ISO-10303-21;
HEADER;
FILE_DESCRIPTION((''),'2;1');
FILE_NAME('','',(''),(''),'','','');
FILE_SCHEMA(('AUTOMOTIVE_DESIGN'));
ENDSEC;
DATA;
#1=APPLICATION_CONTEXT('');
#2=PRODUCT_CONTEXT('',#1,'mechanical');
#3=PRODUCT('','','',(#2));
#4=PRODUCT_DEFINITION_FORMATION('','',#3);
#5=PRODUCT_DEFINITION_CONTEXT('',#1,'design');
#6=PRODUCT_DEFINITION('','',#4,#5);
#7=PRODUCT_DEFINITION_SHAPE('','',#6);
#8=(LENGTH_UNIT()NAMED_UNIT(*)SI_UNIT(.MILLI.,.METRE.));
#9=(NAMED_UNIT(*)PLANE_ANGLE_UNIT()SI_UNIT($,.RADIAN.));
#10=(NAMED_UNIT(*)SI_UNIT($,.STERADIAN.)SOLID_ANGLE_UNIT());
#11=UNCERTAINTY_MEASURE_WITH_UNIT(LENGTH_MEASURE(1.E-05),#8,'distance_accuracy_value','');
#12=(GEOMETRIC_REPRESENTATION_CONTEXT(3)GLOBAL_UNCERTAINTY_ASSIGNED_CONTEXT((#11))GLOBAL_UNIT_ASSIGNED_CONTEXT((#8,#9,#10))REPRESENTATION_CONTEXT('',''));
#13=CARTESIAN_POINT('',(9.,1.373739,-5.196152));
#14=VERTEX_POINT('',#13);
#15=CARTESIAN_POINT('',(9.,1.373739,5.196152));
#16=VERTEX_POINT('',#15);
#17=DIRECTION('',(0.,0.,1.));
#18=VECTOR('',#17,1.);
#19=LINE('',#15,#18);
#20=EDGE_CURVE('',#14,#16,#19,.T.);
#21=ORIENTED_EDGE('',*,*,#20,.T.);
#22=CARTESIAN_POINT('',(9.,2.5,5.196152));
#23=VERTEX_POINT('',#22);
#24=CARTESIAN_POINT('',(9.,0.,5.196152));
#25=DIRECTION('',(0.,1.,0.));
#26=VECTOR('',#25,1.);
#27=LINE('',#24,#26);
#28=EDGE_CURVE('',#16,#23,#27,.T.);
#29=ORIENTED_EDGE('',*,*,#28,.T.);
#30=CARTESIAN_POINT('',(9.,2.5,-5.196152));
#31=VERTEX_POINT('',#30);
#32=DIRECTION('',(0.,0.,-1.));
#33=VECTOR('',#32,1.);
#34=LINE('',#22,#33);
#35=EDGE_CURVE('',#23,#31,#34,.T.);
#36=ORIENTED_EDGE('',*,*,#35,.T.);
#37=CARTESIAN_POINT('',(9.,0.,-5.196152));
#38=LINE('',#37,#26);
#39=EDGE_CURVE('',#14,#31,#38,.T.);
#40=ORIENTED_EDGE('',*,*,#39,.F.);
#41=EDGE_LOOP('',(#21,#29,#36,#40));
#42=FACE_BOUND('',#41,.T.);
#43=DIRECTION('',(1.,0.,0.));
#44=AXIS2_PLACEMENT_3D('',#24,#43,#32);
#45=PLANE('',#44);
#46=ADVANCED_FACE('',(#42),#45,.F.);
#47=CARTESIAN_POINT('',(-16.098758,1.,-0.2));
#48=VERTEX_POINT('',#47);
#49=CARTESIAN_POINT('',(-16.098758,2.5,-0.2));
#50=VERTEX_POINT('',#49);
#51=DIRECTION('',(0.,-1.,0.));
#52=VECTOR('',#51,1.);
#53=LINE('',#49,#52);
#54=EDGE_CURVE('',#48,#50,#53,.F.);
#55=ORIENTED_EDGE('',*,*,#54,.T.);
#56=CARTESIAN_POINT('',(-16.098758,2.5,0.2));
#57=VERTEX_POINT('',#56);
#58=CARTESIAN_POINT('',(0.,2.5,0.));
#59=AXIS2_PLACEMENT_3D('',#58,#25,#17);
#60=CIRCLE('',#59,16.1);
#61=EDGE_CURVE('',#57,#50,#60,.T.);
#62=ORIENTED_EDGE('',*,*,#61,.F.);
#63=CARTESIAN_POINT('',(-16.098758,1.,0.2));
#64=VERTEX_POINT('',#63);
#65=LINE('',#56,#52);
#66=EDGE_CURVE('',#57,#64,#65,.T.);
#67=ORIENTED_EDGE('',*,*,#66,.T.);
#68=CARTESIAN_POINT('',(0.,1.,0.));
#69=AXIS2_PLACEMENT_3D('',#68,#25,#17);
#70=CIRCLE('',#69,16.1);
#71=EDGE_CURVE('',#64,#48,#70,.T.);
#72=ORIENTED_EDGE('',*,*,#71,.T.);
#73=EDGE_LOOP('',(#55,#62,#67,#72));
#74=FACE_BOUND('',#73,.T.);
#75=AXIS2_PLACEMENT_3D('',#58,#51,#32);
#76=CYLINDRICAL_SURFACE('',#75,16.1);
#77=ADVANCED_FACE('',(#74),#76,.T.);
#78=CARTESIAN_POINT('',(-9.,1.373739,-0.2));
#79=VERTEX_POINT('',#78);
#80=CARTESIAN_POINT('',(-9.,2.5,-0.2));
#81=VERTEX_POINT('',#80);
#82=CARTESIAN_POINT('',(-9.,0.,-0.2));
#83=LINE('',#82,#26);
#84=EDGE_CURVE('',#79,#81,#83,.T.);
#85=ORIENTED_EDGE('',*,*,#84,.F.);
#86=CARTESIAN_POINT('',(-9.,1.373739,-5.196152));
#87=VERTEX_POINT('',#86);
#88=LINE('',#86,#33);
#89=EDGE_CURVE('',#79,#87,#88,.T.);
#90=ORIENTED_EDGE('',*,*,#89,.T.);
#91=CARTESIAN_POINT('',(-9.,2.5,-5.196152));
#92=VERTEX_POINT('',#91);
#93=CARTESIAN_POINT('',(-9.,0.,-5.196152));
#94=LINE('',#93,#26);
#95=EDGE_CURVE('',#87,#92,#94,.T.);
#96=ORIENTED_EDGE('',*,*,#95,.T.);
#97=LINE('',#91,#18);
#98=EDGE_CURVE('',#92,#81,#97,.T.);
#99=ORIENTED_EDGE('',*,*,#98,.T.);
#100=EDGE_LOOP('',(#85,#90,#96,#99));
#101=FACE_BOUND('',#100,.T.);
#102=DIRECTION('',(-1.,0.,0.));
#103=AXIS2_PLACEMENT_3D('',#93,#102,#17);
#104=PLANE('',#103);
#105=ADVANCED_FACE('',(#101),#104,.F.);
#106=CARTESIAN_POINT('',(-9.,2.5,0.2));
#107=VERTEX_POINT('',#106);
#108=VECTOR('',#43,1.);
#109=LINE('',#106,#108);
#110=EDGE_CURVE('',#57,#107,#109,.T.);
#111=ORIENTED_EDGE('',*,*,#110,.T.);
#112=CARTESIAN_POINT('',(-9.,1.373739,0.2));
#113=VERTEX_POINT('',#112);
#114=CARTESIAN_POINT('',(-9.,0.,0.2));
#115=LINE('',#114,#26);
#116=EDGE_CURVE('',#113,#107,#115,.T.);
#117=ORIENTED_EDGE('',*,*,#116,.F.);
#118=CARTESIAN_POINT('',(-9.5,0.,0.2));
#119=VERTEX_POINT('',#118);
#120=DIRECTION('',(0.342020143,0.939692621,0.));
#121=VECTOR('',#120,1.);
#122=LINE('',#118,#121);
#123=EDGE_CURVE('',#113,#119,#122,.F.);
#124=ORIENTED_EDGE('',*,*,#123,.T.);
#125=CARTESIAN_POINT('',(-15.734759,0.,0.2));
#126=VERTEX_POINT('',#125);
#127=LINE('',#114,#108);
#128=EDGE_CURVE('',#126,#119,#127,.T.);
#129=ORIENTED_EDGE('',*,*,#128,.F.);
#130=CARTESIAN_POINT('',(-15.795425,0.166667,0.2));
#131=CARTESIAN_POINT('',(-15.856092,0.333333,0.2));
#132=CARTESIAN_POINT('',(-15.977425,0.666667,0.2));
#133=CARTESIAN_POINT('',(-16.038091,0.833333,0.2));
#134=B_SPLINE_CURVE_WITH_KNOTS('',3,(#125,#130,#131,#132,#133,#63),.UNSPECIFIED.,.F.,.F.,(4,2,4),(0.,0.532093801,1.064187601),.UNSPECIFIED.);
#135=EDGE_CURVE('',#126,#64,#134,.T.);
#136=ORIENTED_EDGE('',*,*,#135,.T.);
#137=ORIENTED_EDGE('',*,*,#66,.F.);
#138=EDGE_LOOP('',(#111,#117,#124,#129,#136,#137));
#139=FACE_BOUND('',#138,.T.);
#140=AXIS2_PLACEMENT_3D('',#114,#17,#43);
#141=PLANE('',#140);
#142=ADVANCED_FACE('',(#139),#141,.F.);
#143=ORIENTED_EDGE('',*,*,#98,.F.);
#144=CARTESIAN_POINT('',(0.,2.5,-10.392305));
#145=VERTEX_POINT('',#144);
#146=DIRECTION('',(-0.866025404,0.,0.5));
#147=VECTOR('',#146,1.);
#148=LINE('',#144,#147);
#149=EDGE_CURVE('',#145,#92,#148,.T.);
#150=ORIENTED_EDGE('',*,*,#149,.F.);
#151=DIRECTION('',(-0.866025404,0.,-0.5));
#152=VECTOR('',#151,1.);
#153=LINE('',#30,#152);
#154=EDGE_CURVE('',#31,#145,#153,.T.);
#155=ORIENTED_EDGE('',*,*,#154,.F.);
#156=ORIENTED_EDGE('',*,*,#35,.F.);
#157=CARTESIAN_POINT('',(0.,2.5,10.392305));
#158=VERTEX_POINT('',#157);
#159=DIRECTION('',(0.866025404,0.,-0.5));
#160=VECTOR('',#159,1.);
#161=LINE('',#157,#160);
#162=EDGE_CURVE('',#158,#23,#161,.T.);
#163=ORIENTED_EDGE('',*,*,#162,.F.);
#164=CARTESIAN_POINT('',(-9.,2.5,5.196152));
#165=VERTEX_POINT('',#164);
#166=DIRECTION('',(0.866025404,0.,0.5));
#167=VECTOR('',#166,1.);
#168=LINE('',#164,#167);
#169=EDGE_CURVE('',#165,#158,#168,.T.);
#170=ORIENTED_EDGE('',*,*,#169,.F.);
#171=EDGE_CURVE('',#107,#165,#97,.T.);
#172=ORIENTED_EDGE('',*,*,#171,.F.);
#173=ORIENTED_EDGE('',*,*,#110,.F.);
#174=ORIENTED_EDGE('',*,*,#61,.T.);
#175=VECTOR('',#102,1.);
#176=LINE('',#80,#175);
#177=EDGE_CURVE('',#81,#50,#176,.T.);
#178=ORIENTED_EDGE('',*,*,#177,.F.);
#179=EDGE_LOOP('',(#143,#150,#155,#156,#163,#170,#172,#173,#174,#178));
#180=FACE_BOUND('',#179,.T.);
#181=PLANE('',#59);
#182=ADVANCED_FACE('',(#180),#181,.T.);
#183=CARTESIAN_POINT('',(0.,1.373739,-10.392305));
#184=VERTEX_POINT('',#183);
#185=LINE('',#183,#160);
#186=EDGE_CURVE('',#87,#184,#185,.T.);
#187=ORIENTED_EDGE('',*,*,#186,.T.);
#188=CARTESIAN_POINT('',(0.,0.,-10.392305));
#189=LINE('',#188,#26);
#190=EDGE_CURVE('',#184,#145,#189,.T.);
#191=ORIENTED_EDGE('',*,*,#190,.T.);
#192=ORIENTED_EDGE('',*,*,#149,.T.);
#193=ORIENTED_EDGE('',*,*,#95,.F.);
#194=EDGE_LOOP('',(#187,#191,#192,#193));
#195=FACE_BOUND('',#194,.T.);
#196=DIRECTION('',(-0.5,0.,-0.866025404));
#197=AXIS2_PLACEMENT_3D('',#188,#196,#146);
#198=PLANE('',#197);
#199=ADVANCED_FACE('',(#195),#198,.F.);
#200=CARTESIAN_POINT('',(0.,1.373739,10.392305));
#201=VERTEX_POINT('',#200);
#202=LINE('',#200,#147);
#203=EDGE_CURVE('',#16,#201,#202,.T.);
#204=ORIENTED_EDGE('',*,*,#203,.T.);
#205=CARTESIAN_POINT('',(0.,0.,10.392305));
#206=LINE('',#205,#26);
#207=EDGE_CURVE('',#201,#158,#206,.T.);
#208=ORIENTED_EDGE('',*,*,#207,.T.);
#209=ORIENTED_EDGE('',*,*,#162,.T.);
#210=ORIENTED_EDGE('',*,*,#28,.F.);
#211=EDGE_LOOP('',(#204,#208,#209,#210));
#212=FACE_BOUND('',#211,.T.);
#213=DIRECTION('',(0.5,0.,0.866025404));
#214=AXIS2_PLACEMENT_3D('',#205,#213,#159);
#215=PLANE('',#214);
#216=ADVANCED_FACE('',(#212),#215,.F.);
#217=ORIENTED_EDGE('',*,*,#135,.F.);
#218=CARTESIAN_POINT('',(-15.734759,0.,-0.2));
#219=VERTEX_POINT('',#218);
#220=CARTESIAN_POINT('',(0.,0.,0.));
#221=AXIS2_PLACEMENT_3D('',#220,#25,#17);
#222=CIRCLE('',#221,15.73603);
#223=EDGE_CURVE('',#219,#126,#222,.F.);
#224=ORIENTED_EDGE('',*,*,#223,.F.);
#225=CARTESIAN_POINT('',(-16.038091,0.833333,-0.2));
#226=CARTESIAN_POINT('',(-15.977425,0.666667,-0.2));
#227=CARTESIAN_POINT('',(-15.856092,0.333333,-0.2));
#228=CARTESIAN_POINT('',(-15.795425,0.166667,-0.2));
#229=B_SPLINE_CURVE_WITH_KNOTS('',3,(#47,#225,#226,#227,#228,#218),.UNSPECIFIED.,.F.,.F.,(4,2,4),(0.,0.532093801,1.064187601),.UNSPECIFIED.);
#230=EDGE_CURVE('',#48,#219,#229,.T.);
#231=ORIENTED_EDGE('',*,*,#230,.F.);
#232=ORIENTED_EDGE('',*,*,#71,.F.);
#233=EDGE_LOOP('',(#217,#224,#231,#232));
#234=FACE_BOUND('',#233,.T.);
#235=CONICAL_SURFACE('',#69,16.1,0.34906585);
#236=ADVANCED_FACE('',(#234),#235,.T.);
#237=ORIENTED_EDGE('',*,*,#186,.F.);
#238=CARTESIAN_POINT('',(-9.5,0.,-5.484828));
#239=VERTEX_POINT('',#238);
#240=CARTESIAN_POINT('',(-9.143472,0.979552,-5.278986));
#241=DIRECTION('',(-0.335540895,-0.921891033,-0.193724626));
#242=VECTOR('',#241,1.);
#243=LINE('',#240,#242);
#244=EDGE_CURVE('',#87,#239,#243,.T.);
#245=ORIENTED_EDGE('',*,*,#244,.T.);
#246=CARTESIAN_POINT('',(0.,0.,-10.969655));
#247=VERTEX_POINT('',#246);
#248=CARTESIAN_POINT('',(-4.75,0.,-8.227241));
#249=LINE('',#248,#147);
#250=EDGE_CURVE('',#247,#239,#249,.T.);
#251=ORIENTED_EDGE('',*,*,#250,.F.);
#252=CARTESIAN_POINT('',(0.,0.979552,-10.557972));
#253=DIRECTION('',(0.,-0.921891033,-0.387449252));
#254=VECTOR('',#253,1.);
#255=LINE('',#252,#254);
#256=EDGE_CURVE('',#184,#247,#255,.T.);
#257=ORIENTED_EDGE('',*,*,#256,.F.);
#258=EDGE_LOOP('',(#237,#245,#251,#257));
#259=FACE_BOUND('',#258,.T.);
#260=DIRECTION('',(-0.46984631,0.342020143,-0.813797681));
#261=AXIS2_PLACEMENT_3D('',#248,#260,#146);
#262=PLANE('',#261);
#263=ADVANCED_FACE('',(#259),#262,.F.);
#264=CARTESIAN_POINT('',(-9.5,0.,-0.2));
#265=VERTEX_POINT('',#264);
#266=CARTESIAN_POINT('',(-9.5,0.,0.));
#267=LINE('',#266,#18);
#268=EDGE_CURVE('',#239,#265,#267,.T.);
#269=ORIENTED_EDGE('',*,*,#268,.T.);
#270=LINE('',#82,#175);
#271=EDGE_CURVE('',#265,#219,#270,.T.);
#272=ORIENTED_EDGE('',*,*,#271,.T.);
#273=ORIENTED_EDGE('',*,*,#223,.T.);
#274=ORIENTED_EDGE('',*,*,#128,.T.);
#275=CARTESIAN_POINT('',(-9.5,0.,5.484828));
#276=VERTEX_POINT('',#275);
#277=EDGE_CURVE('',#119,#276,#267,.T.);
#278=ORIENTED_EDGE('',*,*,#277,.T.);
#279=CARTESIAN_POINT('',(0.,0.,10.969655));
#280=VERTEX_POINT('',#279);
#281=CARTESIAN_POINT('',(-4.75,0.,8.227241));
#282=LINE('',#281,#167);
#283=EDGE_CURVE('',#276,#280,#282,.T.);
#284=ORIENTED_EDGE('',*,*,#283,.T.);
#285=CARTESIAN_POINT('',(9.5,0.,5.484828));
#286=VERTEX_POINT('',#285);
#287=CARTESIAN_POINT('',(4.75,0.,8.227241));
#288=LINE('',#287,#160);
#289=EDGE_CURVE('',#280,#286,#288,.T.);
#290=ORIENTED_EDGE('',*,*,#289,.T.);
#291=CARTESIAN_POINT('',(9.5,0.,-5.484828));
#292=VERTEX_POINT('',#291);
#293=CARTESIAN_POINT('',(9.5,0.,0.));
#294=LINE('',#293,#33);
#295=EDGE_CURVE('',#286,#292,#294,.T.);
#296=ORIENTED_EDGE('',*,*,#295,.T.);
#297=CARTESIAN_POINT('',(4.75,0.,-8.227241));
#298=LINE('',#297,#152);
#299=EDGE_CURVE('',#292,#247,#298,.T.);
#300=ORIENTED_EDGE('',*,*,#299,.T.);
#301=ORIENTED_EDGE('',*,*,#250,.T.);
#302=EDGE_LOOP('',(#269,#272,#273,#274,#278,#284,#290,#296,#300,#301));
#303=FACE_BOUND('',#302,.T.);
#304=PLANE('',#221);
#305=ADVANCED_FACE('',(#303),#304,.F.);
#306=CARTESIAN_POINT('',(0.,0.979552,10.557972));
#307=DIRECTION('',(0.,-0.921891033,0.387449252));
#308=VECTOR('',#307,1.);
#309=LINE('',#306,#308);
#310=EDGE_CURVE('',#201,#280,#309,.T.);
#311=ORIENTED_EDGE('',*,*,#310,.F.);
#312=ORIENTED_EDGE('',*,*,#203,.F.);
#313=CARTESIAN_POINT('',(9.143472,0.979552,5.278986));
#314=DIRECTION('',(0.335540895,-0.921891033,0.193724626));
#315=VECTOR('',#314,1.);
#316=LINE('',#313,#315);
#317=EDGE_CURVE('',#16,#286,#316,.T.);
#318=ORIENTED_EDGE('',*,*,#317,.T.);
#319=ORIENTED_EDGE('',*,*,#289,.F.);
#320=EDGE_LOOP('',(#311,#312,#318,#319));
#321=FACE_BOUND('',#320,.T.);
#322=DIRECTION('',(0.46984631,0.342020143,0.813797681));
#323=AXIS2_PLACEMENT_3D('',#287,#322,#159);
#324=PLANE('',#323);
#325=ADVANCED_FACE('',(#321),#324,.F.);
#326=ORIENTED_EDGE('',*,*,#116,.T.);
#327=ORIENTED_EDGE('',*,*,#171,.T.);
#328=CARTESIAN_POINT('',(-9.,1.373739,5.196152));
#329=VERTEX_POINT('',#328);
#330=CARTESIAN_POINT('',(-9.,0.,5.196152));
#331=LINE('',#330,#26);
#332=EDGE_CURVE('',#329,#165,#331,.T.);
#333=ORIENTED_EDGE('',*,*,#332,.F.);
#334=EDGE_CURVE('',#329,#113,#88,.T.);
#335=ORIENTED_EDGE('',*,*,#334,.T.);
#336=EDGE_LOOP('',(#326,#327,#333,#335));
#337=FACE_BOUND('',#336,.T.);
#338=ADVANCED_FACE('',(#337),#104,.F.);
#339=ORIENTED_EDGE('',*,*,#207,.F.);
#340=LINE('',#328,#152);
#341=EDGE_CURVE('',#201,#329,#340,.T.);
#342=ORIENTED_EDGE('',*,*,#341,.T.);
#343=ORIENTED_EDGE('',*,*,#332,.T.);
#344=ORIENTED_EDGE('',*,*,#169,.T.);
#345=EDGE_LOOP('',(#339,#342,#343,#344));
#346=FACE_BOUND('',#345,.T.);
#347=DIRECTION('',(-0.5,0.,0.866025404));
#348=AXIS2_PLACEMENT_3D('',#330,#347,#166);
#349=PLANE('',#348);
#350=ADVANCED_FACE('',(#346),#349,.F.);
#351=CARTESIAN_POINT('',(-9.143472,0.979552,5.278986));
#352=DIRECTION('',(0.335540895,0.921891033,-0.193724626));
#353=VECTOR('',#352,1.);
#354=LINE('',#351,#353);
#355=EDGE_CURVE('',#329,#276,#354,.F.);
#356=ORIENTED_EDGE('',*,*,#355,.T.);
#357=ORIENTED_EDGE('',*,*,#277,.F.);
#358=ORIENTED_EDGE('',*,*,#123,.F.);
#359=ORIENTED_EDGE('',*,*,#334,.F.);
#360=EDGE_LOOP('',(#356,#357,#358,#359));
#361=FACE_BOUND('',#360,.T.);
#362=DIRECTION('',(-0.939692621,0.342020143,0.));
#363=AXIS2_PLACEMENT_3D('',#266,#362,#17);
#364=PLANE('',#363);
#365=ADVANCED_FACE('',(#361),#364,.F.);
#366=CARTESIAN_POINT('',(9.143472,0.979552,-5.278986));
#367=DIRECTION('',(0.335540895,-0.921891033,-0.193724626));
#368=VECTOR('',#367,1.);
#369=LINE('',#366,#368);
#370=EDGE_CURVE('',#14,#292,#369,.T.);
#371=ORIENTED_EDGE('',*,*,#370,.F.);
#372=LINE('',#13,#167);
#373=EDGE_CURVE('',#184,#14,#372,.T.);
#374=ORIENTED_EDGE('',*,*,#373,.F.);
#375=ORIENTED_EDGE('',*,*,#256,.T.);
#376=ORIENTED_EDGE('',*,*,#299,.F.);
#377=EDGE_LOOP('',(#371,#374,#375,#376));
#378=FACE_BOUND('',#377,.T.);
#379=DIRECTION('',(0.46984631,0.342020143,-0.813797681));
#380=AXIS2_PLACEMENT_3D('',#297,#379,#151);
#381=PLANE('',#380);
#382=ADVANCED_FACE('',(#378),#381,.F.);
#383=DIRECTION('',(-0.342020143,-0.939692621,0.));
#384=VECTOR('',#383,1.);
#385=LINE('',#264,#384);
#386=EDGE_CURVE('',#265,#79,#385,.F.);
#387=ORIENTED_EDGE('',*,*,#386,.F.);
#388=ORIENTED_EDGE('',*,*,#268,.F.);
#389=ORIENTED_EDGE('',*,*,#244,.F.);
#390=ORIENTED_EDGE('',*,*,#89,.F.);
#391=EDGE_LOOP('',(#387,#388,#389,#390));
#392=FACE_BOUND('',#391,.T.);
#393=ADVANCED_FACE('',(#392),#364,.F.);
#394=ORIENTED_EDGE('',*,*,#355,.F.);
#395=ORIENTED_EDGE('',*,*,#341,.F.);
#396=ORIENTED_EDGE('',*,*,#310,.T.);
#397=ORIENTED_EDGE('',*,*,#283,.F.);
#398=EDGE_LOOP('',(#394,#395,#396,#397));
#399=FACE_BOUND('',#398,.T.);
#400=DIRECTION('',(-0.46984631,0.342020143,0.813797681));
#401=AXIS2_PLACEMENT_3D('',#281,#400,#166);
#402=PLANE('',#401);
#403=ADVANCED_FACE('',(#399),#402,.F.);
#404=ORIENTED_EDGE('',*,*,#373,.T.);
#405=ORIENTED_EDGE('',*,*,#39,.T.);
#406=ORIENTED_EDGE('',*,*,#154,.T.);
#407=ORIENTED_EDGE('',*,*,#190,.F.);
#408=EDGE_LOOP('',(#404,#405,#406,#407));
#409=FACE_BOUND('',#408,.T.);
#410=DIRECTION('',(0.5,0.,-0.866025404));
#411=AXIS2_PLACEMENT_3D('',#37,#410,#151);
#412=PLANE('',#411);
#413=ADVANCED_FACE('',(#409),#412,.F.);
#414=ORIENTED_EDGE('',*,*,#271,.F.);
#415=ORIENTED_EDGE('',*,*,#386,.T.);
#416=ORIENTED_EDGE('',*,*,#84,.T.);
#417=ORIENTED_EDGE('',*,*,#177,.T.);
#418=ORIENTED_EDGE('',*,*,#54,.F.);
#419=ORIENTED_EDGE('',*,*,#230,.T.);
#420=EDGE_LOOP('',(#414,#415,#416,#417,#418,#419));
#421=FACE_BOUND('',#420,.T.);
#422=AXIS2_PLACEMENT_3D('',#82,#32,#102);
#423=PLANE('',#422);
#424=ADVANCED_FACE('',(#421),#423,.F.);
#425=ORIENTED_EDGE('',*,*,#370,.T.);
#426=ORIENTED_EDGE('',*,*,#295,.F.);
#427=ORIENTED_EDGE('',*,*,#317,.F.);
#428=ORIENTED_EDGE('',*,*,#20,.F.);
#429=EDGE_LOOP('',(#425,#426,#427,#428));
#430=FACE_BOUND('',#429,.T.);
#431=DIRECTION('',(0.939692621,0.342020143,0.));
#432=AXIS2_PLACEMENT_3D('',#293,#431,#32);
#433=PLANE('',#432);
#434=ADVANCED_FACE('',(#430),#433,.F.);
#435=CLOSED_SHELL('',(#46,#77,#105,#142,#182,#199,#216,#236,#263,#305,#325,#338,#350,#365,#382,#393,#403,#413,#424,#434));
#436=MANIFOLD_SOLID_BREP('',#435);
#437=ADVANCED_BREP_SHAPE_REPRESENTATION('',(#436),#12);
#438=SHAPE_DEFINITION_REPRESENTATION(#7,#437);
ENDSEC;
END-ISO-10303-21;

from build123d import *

# Parameters (mm, degrees)
SKETCH_1_R          = 16.1
EXTRUDE_1_DEPTH     = 2.5
CUT_EXTRUDE_1_DEPTH = 23.905676152
SKETCH_3_W          = 7.1
SKETCH_3_H          = 0.4
CUT_EXTRUDE_2_DEPTH = 23.905676152
CHAMFER_1_SIZE      = 1
CHAMFER_1_SIZE2     = 0.363970234
CHAMFER_2_SIZE      = 0.5
CHAMFER_2_SIZE2     = 1.37373871


with BuildPart() as part:
    # Эскиз1 → Бобышка-Вытянуть1 (new body)
    with BuildSketch(Plane(origin=(0, 0, 0), x_dir=(1, 0, 0), z_dir=(0, 1, 0))):
        with Locations(Location((0, 0, 0), (0, 0, 270))):
            Circle(SKETCH_1_R)
    extrude(amount=EXTRUDE_1_DEPTH)

    # Эскиз2 → Вырез-Вытянуть1 (cut, through all)
    with BuildSketch(Plane(origin=(0, 2.5, 0), x_dir=(1, 0, 0), z_dir=(0, 1, 0))):
        Polygon((0, 10.392304845), (-9, 5.196152423), (-9, -5.196152423), (0, -10.392304845), (9, -5.196152423), (9, 5.196152423), align=None)
    extrude(amount=-CUT_EXTRUDE_1_DEPTH, mode=Mode.SUBTRACT)

    # Эскиз3 → Вырез-Вытянуть2 (cut, through all)
    with BuildSketch(Plane(origin=(0, 2.5, 0), x_dir=(1, 0, 0), z_dir=(0, 1, 0))):
        with Locations((-12.55, 0)):
            Rectangle(SKETCH_3_W, SKETCH_3_H)
    extrude(amount=-CUT_EXTRUDE_2_DEPTH, mode=Mode.SUBTRACT)

    # Фаска1
    chamfer_1_edges = [part.edges().sort_by_distance(p)[0] for p in [
        (11.45491161, 0, -11.313487526),
    ]]
    chamfer_1_side = [part.faces().sort_by_distance(p)[0] for p in [
        (11.45491161, 1.25, -11.313487526),
    ]]
    chamfer(chamfer_1_edges, length=CHAMFER_1_SIZE, length2=CHAMFER_1_SIZE2, reference=chamfer_1_side[0])

    # Фаска2
    chamfer_2_edges = [part.edges().sort_by_distance(p)[0] for p in [
        (4.5, 0, -7.794228634),
        (9, 0, 0),
        (4.5, 0, 7.794228634),
        (-4.5, 0, 7.794228634),
        (-9, 0, -2.698076211),
        (-4.5, 0, -7.794228634),
        (-9, 0, 2.698076211),
    ]]
    chamfer_2_side = [part.faces().sort_by_distance(p)[0] for p in [
        (-12.367379373, 0, -0.245073147),
    ]]
    chamfer(chamfer_2_edges, length=CHAMFER_2_SIZE, length2=CHAMFER_2_SIZE2, reference=chamfer_2_side[0])


solid = part.part
